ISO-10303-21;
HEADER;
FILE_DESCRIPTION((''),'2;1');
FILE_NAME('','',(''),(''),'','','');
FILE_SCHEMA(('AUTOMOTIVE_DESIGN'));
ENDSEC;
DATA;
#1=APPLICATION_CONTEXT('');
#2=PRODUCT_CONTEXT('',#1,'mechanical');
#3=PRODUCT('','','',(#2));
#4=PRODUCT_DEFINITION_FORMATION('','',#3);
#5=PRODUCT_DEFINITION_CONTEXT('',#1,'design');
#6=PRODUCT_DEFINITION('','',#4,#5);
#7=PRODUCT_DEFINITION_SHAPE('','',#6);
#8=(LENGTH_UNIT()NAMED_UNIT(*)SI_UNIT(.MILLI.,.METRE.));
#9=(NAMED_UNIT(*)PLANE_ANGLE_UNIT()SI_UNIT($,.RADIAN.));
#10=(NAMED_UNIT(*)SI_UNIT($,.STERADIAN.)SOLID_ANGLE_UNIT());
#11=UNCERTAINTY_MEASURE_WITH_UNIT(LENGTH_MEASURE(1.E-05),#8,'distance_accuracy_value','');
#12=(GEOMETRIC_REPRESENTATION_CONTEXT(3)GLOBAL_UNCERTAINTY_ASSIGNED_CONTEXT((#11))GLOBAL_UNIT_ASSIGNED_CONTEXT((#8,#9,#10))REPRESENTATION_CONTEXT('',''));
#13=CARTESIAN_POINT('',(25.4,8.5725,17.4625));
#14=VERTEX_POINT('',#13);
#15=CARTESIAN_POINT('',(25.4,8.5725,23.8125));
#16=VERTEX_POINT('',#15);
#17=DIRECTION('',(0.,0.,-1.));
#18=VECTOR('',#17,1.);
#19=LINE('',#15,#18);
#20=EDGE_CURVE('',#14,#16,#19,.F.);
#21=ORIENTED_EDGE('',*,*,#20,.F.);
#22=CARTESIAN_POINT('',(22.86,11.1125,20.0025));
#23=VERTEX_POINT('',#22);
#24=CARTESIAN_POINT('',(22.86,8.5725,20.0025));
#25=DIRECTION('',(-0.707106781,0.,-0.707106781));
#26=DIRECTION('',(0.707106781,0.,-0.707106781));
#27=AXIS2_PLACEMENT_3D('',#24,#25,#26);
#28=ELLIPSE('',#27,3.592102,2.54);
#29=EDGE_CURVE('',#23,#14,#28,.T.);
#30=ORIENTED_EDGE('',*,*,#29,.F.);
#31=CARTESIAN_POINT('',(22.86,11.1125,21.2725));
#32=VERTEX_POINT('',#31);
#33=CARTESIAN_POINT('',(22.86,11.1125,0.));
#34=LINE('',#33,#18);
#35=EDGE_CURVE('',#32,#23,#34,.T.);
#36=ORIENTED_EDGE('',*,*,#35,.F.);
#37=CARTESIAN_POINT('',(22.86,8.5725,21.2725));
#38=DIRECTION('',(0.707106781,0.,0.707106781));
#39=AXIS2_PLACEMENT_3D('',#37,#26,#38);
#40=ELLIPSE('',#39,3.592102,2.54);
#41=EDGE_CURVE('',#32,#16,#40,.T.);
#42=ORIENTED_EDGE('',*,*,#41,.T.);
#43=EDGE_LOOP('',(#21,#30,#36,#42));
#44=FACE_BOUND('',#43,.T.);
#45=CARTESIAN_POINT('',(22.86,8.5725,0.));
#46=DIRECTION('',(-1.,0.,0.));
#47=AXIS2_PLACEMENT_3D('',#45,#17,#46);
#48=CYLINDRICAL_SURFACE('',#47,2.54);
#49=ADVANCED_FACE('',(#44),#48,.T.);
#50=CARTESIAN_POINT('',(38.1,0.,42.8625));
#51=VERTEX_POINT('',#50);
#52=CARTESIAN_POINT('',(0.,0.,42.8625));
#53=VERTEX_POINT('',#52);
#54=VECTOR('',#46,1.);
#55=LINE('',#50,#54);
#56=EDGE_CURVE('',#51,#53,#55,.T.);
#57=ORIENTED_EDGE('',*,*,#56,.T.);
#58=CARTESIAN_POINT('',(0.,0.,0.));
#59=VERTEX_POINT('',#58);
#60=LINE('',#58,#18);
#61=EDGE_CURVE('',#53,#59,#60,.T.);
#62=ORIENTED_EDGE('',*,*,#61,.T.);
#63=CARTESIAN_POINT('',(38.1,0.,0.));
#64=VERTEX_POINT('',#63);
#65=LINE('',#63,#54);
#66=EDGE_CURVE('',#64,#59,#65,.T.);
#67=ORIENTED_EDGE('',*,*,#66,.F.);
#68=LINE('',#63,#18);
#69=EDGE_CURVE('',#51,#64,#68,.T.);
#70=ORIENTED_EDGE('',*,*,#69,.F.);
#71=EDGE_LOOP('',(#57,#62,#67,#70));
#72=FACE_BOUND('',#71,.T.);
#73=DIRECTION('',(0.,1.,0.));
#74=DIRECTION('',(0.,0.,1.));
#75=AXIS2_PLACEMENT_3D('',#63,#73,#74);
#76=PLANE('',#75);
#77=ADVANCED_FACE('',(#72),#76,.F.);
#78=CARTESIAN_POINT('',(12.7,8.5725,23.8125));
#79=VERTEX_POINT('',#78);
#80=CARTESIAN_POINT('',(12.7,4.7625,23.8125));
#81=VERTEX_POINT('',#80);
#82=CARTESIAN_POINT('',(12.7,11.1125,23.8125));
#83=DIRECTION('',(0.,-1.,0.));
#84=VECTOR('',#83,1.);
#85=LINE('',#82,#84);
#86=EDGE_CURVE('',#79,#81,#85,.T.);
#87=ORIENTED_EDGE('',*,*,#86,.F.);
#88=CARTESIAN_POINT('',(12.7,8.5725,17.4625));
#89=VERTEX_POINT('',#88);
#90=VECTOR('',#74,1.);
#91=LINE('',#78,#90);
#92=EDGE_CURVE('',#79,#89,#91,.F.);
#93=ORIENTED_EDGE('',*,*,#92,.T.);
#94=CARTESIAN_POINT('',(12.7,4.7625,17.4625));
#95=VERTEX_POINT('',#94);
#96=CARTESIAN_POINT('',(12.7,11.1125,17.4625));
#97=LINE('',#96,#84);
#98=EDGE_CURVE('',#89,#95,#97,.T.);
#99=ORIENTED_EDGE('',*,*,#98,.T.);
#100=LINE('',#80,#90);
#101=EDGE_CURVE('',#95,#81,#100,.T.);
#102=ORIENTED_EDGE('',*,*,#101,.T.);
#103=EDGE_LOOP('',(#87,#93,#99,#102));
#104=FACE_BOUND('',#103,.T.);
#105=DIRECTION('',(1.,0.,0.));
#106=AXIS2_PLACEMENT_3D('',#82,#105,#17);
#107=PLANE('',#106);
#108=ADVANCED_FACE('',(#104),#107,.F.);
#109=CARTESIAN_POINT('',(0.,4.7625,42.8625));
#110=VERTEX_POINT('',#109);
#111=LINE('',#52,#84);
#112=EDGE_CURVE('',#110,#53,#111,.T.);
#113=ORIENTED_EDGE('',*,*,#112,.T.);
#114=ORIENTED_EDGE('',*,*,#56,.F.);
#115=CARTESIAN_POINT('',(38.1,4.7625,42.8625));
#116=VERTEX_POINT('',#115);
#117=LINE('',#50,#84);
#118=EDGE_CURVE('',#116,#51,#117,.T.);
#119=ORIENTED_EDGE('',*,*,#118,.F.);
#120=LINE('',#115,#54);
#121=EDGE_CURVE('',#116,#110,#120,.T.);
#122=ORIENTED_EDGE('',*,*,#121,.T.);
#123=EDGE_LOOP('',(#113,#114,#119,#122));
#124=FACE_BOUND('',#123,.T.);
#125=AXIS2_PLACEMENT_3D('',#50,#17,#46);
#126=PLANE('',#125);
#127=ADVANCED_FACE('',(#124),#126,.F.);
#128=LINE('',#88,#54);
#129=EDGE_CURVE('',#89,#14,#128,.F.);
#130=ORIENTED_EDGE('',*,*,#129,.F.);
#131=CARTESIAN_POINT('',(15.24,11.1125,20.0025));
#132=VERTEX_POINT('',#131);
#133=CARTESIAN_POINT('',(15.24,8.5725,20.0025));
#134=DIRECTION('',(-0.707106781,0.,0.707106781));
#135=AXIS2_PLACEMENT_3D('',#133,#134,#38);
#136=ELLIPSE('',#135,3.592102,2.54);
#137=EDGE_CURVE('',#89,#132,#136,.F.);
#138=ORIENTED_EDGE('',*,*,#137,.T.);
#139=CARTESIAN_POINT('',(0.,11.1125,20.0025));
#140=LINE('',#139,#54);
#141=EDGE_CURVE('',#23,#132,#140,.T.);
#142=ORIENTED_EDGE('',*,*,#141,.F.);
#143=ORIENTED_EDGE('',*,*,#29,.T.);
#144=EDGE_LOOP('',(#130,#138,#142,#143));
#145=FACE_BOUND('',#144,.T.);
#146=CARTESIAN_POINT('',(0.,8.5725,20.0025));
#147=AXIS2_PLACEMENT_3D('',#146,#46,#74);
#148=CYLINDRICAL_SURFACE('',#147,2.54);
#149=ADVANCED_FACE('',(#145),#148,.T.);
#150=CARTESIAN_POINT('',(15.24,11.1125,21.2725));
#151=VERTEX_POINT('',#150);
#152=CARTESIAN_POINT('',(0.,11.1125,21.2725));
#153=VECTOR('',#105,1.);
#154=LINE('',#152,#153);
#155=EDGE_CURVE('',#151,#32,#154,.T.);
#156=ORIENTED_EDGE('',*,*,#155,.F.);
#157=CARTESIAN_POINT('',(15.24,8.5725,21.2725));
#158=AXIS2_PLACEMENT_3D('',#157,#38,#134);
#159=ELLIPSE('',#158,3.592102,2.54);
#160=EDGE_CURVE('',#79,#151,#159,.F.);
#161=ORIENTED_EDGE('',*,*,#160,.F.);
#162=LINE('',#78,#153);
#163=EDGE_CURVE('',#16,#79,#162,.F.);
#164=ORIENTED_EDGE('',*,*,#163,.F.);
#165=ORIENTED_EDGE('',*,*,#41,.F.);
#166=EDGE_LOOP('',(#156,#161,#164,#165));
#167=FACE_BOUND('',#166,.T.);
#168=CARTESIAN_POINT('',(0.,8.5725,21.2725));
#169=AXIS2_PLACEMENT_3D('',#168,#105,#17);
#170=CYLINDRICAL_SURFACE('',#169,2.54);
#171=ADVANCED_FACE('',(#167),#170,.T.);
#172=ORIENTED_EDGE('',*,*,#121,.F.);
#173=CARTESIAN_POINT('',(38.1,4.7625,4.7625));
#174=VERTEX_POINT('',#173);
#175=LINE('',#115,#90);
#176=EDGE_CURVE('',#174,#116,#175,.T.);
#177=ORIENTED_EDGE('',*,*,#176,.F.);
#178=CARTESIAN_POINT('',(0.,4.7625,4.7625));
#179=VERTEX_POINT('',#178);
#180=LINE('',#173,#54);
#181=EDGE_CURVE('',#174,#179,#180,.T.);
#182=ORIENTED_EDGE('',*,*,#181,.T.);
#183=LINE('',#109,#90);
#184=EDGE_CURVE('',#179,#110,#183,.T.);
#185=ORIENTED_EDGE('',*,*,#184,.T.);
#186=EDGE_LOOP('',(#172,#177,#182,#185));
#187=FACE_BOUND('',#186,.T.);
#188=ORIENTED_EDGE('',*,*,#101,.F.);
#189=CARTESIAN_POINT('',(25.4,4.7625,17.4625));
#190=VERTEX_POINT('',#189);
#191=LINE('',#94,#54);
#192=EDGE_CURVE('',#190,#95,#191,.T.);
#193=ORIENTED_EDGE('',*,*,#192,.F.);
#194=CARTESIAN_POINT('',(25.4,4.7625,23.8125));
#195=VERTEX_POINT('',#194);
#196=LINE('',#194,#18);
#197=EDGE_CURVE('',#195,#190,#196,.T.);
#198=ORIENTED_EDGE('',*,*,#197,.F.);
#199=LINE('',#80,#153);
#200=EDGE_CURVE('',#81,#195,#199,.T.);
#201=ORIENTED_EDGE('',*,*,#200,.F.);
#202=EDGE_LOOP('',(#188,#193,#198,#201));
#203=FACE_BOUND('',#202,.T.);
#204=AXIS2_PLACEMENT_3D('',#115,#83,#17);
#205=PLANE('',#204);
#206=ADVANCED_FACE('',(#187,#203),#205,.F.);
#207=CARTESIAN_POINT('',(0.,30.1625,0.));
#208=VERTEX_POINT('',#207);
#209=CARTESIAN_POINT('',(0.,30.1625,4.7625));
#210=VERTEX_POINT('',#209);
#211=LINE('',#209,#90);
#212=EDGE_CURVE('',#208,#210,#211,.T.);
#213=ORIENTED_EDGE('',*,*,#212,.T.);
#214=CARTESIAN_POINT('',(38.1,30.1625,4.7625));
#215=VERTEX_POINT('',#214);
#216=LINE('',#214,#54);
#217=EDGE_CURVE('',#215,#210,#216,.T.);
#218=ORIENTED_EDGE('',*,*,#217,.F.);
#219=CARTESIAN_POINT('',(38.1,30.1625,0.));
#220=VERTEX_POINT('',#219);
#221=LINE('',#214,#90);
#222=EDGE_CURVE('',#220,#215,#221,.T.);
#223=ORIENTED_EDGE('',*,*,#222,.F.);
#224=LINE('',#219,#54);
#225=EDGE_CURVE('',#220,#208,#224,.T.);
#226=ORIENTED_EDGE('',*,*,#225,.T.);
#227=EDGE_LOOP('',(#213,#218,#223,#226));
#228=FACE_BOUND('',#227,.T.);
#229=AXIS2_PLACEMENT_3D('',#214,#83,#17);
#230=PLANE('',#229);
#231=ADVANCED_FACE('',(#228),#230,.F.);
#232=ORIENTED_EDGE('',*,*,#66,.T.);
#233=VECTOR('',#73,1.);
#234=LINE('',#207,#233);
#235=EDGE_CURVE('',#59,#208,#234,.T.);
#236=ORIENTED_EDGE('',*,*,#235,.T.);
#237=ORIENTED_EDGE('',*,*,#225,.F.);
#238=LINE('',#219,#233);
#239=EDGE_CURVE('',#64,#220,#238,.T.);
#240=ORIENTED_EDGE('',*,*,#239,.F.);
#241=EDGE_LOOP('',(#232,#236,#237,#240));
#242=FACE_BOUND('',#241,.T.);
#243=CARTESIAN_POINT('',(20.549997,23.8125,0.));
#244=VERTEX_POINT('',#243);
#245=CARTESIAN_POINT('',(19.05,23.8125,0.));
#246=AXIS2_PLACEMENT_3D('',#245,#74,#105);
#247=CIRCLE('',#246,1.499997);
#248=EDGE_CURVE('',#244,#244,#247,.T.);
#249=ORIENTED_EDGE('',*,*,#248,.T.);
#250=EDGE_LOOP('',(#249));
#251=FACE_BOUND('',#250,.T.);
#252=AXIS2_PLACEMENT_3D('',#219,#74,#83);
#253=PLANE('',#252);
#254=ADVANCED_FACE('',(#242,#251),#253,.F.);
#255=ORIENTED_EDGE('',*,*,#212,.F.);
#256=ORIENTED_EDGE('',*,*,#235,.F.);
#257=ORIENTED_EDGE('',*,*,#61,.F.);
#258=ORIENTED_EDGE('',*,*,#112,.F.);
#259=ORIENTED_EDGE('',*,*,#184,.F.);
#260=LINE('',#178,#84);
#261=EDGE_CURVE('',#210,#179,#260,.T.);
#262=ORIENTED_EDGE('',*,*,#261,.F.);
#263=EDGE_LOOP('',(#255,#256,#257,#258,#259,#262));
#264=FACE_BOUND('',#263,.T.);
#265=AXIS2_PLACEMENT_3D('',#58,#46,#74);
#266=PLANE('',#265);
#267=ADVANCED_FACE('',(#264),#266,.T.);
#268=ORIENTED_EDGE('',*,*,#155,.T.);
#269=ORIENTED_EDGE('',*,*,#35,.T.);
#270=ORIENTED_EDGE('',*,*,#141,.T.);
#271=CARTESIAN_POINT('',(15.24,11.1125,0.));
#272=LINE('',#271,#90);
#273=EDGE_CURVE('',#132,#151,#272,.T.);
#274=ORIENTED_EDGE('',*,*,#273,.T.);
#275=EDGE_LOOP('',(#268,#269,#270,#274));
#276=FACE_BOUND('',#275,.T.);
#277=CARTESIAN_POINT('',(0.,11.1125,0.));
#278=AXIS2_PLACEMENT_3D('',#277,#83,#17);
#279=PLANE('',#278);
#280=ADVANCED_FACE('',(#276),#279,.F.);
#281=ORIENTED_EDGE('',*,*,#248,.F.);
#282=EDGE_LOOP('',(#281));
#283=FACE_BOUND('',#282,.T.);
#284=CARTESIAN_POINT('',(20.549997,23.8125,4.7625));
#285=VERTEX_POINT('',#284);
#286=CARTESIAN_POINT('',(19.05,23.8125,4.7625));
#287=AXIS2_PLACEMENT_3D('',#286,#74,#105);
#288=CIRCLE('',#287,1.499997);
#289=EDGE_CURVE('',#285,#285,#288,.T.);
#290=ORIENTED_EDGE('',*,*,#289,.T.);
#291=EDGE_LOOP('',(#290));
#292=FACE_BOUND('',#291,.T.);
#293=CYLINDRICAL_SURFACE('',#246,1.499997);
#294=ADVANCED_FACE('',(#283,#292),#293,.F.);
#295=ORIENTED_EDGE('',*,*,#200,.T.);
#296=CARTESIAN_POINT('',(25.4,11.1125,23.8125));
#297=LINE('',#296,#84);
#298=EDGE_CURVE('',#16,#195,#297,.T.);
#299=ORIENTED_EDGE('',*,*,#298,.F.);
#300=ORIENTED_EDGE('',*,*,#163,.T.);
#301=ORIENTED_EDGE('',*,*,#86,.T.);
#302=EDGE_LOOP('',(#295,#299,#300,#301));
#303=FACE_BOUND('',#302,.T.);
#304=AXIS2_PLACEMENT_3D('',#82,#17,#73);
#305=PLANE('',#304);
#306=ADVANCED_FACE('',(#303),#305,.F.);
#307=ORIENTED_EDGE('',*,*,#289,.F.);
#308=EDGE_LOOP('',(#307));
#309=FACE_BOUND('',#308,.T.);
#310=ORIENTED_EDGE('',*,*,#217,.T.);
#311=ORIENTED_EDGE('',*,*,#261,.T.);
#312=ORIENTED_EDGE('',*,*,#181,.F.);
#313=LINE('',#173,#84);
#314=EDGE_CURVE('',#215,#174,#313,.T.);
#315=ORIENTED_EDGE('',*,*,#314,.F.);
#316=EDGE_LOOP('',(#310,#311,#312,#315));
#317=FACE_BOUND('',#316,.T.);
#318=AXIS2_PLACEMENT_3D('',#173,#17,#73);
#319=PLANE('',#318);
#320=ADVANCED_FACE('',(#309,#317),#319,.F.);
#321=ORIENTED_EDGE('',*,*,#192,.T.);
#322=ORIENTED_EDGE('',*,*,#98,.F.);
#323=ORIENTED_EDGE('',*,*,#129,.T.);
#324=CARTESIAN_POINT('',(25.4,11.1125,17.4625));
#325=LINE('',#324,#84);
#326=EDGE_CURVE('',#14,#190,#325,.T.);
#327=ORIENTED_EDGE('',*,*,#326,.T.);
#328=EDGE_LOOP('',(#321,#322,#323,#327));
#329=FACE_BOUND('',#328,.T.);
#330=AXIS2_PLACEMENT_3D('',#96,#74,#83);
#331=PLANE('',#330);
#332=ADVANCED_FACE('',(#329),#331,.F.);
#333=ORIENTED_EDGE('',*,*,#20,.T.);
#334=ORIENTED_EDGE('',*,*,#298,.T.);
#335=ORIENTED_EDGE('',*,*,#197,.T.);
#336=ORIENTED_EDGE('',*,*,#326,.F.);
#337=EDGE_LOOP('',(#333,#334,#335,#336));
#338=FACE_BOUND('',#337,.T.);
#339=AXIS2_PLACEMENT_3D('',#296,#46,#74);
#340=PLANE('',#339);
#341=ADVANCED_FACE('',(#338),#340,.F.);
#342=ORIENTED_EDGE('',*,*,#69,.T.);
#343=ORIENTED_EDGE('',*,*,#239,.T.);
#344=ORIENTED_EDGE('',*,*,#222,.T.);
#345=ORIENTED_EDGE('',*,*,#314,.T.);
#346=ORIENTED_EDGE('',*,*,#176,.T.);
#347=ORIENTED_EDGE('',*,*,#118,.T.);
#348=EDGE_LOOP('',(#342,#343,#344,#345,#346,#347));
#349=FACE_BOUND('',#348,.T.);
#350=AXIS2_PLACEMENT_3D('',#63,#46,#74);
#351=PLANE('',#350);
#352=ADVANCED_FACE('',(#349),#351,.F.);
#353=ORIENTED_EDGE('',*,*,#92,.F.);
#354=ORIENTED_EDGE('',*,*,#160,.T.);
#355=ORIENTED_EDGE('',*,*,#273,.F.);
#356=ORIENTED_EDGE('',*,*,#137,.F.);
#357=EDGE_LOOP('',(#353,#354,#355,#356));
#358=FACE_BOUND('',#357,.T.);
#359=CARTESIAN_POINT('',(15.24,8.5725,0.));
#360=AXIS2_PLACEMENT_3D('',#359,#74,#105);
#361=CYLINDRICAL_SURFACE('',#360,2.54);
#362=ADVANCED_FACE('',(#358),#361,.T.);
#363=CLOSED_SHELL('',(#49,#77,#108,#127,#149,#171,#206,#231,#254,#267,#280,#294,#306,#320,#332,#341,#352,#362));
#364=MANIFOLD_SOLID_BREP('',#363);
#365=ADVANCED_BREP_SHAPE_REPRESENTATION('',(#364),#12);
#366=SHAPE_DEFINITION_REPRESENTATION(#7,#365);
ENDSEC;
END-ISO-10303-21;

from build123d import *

# Parameters (mm, degrees)
BOSS_EXTRUDE1_DEPTH = 38.1
SKETCH2_W           = 12.7
SKETCH2_H           = 6.35
BOSS_EXTRUDE2_DEPTH = 6.35
SKETCH3_R           = 1.499997
CUT_EXTRUDE1_DEPTH  = 62.749464826
FILLET1_R           = 2.54


with BuildPart() as part:
    # Sketch1 → Boss-Extrude1 (new body)
    with BuildSketch(Plane(origin=(0, 0, 0), x_dir=(0, 0, -1), z_dir=(1, 0, 0))):
        Polygon((0, 0), (-42.8625, 0), (-42.8625, 4.7625), (-4.7625, 4.7625), (-4.7625, 30.1625), (0, 30.1625), align=None)
    extrude(amount=BOSS_EXTRUDE1_DEPTH)

    # Sketch2 → Boss-Extrude2 (add)
    with BuildSketch(Plane(origin=(0, 4.7625, 0), x_dir=(1, 0, 0), z_dir=(0, 1, 0))):
        with Locations((19.05, -20.6375)):
            Rectangle(SKETCH2_W, SKETCH2_H)
    extrude(amount=BOSS_EXTRUDE2_DEPTH)

    # Sketch3 → Cut-Extrude1 (cut, through all)
    with BuildSketch(Plane.XY.offset(4.7625)):
        with Locations((19.05, 23.8125)):
            Circle(SKETCH3_R)
    extrude(amount=-CUT_EXTRUDE1_DEPTH, mode=Mode.SUBTRACT)

    # Fillet1
    fillet1_edges = [part.edges().sort_by_distance(p)[0] for p in [
        (12.7, 11.1125, 20.6375),
        (19.05, 11.1125, 23.8125),
        (25.4, 11.1125, 20.6375),
        (19.05, 11.1125, 17.4625),
    ]]
    fillet(fillet1_edges, radius=FILLET1_R)


solid = part.part
